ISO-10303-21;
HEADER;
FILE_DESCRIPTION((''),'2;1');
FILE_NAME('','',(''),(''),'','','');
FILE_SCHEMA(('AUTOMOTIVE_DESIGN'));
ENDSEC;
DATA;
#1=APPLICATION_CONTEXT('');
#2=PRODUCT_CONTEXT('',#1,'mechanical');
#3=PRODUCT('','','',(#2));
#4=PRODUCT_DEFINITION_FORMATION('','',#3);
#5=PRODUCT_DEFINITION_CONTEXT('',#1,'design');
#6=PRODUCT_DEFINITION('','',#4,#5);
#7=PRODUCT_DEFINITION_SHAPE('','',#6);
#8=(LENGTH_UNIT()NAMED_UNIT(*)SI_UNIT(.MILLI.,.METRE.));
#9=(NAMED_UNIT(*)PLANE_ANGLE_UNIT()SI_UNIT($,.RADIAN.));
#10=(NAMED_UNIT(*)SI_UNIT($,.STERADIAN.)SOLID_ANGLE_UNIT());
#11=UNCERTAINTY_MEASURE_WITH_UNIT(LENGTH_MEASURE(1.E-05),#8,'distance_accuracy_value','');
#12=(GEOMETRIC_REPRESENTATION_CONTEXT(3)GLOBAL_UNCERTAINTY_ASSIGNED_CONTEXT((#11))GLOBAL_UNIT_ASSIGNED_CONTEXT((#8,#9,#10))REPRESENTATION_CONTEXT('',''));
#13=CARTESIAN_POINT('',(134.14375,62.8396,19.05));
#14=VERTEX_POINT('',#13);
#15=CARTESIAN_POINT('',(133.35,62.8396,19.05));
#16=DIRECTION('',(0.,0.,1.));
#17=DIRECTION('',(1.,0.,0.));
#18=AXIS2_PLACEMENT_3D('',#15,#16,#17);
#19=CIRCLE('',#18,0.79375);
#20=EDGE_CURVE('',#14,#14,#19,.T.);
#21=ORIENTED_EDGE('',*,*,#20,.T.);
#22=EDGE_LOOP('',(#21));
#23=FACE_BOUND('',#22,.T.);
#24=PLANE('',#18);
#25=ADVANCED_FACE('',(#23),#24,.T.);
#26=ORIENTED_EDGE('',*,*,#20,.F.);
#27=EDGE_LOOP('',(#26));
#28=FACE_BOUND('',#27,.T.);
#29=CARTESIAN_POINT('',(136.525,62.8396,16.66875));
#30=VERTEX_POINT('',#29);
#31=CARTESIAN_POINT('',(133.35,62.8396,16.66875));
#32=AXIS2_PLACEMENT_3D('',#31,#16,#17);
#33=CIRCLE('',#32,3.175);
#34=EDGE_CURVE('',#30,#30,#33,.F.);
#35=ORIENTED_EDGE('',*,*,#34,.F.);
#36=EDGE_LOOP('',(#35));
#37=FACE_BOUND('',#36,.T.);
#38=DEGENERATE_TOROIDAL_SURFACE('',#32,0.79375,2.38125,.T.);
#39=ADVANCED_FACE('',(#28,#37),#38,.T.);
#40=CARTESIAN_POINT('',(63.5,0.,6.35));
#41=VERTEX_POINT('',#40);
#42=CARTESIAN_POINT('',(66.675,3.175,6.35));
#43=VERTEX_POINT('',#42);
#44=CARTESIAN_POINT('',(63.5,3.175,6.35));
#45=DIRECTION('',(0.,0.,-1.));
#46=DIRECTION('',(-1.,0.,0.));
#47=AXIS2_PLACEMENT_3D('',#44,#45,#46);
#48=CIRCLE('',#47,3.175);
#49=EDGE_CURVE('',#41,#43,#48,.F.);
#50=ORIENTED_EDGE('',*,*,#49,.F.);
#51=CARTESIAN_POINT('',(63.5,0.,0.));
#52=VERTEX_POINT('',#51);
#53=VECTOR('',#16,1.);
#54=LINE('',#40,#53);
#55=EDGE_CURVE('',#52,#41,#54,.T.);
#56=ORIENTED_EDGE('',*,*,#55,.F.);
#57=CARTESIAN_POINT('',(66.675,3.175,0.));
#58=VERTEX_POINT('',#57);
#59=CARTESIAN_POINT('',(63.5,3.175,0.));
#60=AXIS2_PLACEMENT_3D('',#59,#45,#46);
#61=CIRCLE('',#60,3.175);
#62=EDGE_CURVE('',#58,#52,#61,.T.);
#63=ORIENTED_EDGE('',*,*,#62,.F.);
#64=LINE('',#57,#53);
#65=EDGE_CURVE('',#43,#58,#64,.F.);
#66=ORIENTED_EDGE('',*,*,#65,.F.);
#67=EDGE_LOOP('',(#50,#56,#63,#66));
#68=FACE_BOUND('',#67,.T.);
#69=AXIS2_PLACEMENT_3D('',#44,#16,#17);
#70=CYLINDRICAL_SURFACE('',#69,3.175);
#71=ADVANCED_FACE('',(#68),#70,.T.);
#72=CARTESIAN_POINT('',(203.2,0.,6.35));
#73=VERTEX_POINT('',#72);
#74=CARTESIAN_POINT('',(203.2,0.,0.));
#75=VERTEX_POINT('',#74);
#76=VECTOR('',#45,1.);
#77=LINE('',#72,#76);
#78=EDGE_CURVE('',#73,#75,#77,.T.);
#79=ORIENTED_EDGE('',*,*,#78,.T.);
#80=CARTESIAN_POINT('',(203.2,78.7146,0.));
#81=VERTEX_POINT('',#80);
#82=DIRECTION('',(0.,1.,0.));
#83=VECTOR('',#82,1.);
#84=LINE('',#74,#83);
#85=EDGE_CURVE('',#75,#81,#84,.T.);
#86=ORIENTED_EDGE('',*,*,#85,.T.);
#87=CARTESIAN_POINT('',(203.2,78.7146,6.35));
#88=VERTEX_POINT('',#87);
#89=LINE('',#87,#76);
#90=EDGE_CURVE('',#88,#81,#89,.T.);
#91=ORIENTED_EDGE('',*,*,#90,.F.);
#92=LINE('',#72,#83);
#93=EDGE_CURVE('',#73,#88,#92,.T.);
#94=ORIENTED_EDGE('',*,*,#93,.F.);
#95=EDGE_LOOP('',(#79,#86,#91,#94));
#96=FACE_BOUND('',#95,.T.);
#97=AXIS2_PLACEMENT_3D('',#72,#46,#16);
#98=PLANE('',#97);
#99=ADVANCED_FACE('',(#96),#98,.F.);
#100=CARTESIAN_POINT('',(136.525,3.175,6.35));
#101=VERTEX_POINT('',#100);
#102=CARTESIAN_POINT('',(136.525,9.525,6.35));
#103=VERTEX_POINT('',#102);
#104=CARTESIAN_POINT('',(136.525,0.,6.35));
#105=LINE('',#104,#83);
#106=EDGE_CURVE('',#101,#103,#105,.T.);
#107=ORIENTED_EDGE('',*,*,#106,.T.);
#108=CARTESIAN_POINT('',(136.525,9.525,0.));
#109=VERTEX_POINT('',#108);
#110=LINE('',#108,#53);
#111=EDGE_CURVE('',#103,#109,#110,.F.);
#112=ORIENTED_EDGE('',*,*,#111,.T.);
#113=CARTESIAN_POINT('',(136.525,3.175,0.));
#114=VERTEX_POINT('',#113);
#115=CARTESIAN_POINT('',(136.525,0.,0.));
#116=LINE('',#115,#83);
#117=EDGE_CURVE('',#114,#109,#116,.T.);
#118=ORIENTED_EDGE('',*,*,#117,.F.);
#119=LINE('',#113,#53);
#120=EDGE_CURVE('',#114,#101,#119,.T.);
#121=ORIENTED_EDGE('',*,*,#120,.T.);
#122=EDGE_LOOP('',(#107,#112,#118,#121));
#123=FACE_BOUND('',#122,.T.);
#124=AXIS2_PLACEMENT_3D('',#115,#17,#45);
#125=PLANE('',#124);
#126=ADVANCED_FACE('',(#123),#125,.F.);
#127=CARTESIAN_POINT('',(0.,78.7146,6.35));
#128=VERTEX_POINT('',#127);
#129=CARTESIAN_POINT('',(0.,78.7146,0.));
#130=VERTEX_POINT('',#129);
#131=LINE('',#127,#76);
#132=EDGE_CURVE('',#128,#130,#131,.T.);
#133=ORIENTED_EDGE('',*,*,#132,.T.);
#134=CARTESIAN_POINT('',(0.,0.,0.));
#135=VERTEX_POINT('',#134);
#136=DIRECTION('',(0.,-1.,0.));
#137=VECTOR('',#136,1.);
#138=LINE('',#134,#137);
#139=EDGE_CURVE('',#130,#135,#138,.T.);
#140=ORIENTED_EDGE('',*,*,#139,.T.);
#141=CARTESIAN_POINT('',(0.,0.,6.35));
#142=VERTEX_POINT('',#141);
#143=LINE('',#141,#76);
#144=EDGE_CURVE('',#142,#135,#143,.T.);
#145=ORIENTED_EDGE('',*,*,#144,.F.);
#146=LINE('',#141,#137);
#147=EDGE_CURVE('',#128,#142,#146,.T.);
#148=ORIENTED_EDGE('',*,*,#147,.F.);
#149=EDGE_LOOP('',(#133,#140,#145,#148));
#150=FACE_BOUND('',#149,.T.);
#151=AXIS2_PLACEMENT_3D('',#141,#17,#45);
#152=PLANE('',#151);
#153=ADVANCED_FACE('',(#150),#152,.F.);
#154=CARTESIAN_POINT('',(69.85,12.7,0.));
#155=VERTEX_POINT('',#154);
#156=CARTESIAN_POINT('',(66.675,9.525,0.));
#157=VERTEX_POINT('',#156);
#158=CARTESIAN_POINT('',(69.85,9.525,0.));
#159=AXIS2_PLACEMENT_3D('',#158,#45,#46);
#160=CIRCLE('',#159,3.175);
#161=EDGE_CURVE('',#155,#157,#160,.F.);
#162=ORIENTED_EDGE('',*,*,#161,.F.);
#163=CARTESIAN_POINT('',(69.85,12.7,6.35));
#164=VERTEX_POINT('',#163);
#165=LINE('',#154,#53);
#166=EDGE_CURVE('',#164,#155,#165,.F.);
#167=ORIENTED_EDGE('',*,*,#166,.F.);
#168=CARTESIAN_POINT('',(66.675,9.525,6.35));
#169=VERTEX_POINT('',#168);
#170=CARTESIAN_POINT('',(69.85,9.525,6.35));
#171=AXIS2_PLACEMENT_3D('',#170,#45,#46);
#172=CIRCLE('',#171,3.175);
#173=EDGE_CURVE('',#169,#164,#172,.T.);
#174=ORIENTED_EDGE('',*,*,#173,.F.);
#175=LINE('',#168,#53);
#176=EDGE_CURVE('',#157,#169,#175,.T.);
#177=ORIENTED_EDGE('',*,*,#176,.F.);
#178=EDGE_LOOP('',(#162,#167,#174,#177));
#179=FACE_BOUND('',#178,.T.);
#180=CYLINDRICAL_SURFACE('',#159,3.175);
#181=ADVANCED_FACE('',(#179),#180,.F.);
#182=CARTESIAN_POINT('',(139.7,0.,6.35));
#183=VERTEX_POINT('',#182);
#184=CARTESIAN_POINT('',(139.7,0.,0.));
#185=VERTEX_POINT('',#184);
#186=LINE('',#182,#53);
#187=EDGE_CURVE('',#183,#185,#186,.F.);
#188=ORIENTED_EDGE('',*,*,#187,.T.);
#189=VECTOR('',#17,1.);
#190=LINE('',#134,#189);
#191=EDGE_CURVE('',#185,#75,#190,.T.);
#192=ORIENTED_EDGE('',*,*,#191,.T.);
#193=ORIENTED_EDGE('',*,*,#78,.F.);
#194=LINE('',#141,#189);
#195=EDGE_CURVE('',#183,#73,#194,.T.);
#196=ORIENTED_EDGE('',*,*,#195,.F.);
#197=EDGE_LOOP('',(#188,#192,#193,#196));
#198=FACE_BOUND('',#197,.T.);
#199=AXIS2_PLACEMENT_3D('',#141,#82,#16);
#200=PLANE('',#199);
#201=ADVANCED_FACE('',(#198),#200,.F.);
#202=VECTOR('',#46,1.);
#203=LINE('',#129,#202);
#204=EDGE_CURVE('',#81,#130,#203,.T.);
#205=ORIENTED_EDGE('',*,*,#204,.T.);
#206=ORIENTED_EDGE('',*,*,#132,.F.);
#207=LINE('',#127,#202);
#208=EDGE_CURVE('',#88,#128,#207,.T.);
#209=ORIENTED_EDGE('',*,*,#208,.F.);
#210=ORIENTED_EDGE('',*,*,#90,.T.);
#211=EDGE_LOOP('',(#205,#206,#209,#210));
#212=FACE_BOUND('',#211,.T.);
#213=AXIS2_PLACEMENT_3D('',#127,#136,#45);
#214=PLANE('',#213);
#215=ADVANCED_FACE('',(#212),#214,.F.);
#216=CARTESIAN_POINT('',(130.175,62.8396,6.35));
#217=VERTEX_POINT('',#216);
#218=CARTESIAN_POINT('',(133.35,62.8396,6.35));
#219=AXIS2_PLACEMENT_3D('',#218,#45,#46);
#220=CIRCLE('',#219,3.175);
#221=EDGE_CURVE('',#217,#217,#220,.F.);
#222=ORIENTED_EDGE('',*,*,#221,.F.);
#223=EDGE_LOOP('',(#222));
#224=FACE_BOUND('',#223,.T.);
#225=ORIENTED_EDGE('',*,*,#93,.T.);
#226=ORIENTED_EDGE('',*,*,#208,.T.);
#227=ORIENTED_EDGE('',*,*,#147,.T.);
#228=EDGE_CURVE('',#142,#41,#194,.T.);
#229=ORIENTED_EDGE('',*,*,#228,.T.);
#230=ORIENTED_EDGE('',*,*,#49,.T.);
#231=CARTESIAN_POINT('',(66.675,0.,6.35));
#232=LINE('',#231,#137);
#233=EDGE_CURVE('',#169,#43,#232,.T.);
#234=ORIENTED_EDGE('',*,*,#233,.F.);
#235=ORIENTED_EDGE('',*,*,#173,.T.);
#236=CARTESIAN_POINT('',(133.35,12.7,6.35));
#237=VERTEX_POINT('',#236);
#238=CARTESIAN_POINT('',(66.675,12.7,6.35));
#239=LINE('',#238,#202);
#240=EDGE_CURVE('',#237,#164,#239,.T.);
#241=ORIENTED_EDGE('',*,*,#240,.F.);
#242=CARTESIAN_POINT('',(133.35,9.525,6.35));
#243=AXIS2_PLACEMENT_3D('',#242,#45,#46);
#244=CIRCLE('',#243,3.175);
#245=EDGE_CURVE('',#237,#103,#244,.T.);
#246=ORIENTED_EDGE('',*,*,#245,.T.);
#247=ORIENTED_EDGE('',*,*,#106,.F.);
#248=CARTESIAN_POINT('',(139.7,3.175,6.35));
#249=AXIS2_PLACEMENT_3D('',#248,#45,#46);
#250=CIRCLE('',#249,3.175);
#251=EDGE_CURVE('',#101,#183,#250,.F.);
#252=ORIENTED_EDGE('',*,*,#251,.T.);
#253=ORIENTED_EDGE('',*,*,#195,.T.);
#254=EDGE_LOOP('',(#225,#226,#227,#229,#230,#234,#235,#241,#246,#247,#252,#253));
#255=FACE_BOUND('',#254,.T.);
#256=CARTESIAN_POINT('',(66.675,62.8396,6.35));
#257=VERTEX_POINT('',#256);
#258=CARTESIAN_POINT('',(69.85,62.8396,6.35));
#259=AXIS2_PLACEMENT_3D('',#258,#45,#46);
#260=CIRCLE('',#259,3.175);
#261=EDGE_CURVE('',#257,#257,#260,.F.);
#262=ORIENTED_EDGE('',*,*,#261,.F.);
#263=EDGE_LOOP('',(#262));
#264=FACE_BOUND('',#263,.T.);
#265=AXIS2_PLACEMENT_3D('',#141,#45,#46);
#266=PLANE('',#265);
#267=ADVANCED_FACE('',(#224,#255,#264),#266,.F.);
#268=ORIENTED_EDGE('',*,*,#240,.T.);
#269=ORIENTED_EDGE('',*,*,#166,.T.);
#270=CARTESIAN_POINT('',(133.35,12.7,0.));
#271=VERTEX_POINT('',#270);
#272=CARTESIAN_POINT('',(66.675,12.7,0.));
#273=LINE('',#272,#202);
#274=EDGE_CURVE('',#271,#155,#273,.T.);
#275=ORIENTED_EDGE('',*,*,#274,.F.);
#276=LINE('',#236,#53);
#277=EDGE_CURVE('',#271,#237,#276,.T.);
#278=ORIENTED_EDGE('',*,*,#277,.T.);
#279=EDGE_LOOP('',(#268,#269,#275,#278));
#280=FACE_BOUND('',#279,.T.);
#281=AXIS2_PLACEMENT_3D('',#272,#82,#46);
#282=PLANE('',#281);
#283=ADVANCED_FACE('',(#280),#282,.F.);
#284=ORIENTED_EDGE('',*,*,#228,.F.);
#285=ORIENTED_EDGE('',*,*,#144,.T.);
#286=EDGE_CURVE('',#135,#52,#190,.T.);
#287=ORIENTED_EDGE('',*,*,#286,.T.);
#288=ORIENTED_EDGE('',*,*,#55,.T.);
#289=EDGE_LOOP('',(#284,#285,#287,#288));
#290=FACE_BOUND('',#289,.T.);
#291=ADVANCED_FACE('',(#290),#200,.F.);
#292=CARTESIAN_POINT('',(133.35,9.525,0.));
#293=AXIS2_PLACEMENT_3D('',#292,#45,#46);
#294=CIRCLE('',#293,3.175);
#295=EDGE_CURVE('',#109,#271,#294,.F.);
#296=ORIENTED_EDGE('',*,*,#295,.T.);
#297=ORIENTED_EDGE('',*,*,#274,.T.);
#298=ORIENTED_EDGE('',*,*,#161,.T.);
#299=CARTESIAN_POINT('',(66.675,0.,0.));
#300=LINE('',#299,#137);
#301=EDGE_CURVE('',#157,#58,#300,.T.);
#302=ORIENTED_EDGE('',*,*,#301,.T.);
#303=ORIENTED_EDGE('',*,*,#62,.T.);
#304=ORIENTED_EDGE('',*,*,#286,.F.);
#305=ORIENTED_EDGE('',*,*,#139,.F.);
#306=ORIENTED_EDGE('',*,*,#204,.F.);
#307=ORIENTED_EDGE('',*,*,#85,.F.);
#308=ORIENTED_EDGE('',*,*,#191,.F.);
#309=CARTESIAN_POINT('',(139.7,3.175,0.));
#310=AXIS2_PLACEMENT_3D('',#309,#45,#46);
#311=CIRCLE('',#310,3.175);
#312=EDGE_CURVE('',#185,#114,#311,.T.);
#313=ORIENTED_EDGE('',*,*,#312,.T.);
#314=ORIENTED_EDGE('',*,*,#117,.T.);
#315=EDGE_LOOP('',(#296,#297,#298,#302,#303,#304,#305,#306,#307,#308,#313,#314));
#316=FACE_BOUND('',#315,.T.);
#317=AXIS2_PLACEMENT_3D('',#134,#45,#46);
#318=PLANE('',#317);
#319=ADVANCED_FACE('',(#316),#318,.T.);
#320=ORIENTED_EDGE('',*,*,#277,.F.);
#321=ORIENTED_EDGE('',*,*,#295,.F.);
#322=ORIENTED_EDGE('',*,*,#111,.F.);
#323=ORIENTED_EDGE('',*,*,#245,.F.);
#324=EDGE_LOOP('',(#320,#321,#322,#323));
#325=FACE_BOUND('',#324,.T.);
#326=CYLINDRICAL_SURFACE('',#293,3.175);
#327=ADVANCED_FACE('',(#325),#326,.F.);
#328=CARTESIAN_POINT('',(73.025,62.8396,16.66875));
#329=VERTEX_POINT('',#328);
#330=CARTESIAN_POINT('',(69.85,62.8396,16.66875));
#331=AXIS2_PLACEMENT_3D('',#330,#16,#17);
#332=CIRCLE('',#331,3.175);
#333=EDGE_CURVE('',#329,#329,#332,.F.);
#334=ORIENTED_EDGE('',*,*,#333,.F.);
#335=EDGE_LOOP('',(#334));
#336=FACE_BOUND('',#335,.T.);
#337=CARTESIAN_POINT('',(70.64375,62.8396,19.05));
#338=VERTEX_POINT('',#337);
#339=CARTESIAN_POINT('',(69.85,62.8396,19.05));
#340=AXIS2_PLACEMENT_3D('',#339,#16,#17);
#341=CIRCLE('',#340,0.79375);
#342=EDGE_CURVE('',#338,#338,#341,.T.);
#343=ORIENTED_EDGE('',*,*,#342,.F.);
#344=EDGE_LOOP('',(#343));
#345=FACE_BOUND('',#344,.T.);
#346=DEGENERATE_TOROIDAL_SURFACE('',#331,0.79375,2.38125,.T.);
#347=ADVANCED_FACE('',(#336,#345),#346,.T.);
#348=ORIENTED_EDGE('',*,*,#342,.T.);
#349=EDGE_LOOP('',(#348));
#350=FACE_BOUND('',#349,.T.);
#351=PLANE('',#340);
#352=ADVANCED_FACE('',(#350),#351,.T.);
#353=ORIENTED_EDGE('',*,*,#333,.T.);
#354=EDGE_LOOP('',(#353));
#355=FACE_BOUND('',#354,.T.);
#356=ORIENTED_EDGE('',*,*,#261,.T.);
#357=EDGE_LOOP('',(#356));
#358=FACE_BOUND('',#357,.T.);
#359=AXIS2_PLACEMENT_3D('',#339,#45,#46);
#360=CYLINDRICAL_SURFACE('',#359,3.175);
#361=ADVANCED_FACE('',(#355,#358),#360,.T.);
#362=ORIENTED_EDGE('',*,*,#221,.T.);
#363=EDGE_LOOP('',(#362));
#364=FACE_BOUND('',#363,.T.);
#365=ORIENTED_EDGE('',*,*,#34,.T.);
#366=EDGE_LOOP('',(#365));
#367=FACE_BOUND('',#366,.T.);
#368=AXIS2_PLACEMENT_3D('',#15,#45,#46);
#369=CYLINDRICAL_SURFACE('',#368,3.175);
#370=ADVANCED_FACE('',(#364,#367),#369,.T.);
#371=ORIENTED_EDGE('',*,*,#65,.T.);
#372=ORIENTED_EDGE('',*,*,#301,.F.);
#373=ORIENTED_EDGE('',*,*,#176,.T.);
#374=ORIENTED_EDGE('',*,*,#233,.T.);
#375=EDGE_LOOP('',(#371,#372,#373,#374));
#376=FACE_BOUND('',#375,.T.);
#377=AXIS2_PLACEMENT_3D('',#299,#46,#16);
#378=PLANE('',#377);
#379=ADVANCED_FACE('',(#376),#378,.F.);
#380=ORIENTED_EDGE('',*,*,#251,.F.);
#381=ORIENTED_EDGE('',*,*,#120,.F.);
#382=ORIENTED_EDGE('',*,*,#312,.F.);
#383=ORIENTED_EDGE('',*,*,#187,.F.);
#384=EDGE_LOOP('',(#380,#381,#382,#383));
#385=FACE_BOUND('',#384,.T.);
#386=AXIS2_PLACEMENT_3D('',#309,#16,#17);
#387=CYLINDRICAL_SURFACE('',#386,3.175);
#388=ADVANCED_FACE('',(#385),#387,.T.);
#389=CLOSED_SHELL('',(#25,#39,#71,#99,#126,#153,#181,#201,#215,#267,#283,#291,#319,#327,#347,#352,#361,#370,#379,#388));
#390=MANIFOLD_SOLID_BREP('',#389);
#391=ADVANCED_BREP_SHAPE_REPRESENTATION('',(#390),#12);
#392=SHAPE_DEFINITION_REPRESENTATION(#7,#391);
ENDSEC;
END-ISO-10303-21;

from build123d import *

# Parameters (mm, degrees)
SKETCH1_W           = 203.2
SKETCH1_H           = 78.7146
BOSS_EXTRUDE1_DEPTH = 6.35
SKETCH2_W           = 69.85
SKETCH2_H           = 12.7
CUT_EXTRUDE1_DEPTH  = 219.005850273
FILLET1_R           = 3.175
SKETCH3_R           = 3.175
BOSS_EXTRUDE2_DEPTH = 12.7
FILLET2_R           = 2.38125


with BuildPart() as part:
    # Sketch1 → Boss-Extrude1 (new body)
    with BuildSketch(Plane.XY):
        with Locations((101.6, 39.3573)):
            Rectangle(SKETCH1_W, SKETCH1_H)
    extrude(amount=BOSS_EXTRUDE1_DEPTH)

    # Sketch2 → Cut-Extrude1 (cut, through all)
    with BuildSketch(Plane.XY.offset(6.35)):
        with Locations((101.6, 6.35)):
            Rectangle(SKETCH2_W, SKETCH2_H)
    extrude(amount=-CUT_EXTRUDE1_DEPTH, mode=Mode.SUBTRACT)

    # Fillet1
    fillet1_edges = [part.edges().sort_by_distance(p)[0] for p in [
        (66.675, 0, 3.175),
        (66.675, 12.7, 3.175),
        (136.525, 12.7, 3.175),
        (136.525, 0, 3.175),
    ]]
    fillet(fillet1_edges, radius=FILLET1_R)

    # Sketch3 → Boss-Extrude2 (add)
    with BuildSketch(Plane.XY.offset(6.35)):
        with Locations(Location((69.85, 62.8396, 0), (0, 0, 180))):
            Circle(SKETCH3_R)
        with Locations(Location((133.35, 62.8396, 0), (0, 0, 180))):
            Circle(SKETCH3_R)
    extrude(amount=BOSS_EXTRUDE2_DEPTH)

    # Fillet2
    fillet2_edges = [part.edges().sort_by_distance(p)[0] for p in [
        (73.025, 62.8396, 19.05),
        (136.525, 62.8396, 19.05),
    ]]
    fillet(fillet2_edges, radius=FILLET2_R)


solid = part.part
